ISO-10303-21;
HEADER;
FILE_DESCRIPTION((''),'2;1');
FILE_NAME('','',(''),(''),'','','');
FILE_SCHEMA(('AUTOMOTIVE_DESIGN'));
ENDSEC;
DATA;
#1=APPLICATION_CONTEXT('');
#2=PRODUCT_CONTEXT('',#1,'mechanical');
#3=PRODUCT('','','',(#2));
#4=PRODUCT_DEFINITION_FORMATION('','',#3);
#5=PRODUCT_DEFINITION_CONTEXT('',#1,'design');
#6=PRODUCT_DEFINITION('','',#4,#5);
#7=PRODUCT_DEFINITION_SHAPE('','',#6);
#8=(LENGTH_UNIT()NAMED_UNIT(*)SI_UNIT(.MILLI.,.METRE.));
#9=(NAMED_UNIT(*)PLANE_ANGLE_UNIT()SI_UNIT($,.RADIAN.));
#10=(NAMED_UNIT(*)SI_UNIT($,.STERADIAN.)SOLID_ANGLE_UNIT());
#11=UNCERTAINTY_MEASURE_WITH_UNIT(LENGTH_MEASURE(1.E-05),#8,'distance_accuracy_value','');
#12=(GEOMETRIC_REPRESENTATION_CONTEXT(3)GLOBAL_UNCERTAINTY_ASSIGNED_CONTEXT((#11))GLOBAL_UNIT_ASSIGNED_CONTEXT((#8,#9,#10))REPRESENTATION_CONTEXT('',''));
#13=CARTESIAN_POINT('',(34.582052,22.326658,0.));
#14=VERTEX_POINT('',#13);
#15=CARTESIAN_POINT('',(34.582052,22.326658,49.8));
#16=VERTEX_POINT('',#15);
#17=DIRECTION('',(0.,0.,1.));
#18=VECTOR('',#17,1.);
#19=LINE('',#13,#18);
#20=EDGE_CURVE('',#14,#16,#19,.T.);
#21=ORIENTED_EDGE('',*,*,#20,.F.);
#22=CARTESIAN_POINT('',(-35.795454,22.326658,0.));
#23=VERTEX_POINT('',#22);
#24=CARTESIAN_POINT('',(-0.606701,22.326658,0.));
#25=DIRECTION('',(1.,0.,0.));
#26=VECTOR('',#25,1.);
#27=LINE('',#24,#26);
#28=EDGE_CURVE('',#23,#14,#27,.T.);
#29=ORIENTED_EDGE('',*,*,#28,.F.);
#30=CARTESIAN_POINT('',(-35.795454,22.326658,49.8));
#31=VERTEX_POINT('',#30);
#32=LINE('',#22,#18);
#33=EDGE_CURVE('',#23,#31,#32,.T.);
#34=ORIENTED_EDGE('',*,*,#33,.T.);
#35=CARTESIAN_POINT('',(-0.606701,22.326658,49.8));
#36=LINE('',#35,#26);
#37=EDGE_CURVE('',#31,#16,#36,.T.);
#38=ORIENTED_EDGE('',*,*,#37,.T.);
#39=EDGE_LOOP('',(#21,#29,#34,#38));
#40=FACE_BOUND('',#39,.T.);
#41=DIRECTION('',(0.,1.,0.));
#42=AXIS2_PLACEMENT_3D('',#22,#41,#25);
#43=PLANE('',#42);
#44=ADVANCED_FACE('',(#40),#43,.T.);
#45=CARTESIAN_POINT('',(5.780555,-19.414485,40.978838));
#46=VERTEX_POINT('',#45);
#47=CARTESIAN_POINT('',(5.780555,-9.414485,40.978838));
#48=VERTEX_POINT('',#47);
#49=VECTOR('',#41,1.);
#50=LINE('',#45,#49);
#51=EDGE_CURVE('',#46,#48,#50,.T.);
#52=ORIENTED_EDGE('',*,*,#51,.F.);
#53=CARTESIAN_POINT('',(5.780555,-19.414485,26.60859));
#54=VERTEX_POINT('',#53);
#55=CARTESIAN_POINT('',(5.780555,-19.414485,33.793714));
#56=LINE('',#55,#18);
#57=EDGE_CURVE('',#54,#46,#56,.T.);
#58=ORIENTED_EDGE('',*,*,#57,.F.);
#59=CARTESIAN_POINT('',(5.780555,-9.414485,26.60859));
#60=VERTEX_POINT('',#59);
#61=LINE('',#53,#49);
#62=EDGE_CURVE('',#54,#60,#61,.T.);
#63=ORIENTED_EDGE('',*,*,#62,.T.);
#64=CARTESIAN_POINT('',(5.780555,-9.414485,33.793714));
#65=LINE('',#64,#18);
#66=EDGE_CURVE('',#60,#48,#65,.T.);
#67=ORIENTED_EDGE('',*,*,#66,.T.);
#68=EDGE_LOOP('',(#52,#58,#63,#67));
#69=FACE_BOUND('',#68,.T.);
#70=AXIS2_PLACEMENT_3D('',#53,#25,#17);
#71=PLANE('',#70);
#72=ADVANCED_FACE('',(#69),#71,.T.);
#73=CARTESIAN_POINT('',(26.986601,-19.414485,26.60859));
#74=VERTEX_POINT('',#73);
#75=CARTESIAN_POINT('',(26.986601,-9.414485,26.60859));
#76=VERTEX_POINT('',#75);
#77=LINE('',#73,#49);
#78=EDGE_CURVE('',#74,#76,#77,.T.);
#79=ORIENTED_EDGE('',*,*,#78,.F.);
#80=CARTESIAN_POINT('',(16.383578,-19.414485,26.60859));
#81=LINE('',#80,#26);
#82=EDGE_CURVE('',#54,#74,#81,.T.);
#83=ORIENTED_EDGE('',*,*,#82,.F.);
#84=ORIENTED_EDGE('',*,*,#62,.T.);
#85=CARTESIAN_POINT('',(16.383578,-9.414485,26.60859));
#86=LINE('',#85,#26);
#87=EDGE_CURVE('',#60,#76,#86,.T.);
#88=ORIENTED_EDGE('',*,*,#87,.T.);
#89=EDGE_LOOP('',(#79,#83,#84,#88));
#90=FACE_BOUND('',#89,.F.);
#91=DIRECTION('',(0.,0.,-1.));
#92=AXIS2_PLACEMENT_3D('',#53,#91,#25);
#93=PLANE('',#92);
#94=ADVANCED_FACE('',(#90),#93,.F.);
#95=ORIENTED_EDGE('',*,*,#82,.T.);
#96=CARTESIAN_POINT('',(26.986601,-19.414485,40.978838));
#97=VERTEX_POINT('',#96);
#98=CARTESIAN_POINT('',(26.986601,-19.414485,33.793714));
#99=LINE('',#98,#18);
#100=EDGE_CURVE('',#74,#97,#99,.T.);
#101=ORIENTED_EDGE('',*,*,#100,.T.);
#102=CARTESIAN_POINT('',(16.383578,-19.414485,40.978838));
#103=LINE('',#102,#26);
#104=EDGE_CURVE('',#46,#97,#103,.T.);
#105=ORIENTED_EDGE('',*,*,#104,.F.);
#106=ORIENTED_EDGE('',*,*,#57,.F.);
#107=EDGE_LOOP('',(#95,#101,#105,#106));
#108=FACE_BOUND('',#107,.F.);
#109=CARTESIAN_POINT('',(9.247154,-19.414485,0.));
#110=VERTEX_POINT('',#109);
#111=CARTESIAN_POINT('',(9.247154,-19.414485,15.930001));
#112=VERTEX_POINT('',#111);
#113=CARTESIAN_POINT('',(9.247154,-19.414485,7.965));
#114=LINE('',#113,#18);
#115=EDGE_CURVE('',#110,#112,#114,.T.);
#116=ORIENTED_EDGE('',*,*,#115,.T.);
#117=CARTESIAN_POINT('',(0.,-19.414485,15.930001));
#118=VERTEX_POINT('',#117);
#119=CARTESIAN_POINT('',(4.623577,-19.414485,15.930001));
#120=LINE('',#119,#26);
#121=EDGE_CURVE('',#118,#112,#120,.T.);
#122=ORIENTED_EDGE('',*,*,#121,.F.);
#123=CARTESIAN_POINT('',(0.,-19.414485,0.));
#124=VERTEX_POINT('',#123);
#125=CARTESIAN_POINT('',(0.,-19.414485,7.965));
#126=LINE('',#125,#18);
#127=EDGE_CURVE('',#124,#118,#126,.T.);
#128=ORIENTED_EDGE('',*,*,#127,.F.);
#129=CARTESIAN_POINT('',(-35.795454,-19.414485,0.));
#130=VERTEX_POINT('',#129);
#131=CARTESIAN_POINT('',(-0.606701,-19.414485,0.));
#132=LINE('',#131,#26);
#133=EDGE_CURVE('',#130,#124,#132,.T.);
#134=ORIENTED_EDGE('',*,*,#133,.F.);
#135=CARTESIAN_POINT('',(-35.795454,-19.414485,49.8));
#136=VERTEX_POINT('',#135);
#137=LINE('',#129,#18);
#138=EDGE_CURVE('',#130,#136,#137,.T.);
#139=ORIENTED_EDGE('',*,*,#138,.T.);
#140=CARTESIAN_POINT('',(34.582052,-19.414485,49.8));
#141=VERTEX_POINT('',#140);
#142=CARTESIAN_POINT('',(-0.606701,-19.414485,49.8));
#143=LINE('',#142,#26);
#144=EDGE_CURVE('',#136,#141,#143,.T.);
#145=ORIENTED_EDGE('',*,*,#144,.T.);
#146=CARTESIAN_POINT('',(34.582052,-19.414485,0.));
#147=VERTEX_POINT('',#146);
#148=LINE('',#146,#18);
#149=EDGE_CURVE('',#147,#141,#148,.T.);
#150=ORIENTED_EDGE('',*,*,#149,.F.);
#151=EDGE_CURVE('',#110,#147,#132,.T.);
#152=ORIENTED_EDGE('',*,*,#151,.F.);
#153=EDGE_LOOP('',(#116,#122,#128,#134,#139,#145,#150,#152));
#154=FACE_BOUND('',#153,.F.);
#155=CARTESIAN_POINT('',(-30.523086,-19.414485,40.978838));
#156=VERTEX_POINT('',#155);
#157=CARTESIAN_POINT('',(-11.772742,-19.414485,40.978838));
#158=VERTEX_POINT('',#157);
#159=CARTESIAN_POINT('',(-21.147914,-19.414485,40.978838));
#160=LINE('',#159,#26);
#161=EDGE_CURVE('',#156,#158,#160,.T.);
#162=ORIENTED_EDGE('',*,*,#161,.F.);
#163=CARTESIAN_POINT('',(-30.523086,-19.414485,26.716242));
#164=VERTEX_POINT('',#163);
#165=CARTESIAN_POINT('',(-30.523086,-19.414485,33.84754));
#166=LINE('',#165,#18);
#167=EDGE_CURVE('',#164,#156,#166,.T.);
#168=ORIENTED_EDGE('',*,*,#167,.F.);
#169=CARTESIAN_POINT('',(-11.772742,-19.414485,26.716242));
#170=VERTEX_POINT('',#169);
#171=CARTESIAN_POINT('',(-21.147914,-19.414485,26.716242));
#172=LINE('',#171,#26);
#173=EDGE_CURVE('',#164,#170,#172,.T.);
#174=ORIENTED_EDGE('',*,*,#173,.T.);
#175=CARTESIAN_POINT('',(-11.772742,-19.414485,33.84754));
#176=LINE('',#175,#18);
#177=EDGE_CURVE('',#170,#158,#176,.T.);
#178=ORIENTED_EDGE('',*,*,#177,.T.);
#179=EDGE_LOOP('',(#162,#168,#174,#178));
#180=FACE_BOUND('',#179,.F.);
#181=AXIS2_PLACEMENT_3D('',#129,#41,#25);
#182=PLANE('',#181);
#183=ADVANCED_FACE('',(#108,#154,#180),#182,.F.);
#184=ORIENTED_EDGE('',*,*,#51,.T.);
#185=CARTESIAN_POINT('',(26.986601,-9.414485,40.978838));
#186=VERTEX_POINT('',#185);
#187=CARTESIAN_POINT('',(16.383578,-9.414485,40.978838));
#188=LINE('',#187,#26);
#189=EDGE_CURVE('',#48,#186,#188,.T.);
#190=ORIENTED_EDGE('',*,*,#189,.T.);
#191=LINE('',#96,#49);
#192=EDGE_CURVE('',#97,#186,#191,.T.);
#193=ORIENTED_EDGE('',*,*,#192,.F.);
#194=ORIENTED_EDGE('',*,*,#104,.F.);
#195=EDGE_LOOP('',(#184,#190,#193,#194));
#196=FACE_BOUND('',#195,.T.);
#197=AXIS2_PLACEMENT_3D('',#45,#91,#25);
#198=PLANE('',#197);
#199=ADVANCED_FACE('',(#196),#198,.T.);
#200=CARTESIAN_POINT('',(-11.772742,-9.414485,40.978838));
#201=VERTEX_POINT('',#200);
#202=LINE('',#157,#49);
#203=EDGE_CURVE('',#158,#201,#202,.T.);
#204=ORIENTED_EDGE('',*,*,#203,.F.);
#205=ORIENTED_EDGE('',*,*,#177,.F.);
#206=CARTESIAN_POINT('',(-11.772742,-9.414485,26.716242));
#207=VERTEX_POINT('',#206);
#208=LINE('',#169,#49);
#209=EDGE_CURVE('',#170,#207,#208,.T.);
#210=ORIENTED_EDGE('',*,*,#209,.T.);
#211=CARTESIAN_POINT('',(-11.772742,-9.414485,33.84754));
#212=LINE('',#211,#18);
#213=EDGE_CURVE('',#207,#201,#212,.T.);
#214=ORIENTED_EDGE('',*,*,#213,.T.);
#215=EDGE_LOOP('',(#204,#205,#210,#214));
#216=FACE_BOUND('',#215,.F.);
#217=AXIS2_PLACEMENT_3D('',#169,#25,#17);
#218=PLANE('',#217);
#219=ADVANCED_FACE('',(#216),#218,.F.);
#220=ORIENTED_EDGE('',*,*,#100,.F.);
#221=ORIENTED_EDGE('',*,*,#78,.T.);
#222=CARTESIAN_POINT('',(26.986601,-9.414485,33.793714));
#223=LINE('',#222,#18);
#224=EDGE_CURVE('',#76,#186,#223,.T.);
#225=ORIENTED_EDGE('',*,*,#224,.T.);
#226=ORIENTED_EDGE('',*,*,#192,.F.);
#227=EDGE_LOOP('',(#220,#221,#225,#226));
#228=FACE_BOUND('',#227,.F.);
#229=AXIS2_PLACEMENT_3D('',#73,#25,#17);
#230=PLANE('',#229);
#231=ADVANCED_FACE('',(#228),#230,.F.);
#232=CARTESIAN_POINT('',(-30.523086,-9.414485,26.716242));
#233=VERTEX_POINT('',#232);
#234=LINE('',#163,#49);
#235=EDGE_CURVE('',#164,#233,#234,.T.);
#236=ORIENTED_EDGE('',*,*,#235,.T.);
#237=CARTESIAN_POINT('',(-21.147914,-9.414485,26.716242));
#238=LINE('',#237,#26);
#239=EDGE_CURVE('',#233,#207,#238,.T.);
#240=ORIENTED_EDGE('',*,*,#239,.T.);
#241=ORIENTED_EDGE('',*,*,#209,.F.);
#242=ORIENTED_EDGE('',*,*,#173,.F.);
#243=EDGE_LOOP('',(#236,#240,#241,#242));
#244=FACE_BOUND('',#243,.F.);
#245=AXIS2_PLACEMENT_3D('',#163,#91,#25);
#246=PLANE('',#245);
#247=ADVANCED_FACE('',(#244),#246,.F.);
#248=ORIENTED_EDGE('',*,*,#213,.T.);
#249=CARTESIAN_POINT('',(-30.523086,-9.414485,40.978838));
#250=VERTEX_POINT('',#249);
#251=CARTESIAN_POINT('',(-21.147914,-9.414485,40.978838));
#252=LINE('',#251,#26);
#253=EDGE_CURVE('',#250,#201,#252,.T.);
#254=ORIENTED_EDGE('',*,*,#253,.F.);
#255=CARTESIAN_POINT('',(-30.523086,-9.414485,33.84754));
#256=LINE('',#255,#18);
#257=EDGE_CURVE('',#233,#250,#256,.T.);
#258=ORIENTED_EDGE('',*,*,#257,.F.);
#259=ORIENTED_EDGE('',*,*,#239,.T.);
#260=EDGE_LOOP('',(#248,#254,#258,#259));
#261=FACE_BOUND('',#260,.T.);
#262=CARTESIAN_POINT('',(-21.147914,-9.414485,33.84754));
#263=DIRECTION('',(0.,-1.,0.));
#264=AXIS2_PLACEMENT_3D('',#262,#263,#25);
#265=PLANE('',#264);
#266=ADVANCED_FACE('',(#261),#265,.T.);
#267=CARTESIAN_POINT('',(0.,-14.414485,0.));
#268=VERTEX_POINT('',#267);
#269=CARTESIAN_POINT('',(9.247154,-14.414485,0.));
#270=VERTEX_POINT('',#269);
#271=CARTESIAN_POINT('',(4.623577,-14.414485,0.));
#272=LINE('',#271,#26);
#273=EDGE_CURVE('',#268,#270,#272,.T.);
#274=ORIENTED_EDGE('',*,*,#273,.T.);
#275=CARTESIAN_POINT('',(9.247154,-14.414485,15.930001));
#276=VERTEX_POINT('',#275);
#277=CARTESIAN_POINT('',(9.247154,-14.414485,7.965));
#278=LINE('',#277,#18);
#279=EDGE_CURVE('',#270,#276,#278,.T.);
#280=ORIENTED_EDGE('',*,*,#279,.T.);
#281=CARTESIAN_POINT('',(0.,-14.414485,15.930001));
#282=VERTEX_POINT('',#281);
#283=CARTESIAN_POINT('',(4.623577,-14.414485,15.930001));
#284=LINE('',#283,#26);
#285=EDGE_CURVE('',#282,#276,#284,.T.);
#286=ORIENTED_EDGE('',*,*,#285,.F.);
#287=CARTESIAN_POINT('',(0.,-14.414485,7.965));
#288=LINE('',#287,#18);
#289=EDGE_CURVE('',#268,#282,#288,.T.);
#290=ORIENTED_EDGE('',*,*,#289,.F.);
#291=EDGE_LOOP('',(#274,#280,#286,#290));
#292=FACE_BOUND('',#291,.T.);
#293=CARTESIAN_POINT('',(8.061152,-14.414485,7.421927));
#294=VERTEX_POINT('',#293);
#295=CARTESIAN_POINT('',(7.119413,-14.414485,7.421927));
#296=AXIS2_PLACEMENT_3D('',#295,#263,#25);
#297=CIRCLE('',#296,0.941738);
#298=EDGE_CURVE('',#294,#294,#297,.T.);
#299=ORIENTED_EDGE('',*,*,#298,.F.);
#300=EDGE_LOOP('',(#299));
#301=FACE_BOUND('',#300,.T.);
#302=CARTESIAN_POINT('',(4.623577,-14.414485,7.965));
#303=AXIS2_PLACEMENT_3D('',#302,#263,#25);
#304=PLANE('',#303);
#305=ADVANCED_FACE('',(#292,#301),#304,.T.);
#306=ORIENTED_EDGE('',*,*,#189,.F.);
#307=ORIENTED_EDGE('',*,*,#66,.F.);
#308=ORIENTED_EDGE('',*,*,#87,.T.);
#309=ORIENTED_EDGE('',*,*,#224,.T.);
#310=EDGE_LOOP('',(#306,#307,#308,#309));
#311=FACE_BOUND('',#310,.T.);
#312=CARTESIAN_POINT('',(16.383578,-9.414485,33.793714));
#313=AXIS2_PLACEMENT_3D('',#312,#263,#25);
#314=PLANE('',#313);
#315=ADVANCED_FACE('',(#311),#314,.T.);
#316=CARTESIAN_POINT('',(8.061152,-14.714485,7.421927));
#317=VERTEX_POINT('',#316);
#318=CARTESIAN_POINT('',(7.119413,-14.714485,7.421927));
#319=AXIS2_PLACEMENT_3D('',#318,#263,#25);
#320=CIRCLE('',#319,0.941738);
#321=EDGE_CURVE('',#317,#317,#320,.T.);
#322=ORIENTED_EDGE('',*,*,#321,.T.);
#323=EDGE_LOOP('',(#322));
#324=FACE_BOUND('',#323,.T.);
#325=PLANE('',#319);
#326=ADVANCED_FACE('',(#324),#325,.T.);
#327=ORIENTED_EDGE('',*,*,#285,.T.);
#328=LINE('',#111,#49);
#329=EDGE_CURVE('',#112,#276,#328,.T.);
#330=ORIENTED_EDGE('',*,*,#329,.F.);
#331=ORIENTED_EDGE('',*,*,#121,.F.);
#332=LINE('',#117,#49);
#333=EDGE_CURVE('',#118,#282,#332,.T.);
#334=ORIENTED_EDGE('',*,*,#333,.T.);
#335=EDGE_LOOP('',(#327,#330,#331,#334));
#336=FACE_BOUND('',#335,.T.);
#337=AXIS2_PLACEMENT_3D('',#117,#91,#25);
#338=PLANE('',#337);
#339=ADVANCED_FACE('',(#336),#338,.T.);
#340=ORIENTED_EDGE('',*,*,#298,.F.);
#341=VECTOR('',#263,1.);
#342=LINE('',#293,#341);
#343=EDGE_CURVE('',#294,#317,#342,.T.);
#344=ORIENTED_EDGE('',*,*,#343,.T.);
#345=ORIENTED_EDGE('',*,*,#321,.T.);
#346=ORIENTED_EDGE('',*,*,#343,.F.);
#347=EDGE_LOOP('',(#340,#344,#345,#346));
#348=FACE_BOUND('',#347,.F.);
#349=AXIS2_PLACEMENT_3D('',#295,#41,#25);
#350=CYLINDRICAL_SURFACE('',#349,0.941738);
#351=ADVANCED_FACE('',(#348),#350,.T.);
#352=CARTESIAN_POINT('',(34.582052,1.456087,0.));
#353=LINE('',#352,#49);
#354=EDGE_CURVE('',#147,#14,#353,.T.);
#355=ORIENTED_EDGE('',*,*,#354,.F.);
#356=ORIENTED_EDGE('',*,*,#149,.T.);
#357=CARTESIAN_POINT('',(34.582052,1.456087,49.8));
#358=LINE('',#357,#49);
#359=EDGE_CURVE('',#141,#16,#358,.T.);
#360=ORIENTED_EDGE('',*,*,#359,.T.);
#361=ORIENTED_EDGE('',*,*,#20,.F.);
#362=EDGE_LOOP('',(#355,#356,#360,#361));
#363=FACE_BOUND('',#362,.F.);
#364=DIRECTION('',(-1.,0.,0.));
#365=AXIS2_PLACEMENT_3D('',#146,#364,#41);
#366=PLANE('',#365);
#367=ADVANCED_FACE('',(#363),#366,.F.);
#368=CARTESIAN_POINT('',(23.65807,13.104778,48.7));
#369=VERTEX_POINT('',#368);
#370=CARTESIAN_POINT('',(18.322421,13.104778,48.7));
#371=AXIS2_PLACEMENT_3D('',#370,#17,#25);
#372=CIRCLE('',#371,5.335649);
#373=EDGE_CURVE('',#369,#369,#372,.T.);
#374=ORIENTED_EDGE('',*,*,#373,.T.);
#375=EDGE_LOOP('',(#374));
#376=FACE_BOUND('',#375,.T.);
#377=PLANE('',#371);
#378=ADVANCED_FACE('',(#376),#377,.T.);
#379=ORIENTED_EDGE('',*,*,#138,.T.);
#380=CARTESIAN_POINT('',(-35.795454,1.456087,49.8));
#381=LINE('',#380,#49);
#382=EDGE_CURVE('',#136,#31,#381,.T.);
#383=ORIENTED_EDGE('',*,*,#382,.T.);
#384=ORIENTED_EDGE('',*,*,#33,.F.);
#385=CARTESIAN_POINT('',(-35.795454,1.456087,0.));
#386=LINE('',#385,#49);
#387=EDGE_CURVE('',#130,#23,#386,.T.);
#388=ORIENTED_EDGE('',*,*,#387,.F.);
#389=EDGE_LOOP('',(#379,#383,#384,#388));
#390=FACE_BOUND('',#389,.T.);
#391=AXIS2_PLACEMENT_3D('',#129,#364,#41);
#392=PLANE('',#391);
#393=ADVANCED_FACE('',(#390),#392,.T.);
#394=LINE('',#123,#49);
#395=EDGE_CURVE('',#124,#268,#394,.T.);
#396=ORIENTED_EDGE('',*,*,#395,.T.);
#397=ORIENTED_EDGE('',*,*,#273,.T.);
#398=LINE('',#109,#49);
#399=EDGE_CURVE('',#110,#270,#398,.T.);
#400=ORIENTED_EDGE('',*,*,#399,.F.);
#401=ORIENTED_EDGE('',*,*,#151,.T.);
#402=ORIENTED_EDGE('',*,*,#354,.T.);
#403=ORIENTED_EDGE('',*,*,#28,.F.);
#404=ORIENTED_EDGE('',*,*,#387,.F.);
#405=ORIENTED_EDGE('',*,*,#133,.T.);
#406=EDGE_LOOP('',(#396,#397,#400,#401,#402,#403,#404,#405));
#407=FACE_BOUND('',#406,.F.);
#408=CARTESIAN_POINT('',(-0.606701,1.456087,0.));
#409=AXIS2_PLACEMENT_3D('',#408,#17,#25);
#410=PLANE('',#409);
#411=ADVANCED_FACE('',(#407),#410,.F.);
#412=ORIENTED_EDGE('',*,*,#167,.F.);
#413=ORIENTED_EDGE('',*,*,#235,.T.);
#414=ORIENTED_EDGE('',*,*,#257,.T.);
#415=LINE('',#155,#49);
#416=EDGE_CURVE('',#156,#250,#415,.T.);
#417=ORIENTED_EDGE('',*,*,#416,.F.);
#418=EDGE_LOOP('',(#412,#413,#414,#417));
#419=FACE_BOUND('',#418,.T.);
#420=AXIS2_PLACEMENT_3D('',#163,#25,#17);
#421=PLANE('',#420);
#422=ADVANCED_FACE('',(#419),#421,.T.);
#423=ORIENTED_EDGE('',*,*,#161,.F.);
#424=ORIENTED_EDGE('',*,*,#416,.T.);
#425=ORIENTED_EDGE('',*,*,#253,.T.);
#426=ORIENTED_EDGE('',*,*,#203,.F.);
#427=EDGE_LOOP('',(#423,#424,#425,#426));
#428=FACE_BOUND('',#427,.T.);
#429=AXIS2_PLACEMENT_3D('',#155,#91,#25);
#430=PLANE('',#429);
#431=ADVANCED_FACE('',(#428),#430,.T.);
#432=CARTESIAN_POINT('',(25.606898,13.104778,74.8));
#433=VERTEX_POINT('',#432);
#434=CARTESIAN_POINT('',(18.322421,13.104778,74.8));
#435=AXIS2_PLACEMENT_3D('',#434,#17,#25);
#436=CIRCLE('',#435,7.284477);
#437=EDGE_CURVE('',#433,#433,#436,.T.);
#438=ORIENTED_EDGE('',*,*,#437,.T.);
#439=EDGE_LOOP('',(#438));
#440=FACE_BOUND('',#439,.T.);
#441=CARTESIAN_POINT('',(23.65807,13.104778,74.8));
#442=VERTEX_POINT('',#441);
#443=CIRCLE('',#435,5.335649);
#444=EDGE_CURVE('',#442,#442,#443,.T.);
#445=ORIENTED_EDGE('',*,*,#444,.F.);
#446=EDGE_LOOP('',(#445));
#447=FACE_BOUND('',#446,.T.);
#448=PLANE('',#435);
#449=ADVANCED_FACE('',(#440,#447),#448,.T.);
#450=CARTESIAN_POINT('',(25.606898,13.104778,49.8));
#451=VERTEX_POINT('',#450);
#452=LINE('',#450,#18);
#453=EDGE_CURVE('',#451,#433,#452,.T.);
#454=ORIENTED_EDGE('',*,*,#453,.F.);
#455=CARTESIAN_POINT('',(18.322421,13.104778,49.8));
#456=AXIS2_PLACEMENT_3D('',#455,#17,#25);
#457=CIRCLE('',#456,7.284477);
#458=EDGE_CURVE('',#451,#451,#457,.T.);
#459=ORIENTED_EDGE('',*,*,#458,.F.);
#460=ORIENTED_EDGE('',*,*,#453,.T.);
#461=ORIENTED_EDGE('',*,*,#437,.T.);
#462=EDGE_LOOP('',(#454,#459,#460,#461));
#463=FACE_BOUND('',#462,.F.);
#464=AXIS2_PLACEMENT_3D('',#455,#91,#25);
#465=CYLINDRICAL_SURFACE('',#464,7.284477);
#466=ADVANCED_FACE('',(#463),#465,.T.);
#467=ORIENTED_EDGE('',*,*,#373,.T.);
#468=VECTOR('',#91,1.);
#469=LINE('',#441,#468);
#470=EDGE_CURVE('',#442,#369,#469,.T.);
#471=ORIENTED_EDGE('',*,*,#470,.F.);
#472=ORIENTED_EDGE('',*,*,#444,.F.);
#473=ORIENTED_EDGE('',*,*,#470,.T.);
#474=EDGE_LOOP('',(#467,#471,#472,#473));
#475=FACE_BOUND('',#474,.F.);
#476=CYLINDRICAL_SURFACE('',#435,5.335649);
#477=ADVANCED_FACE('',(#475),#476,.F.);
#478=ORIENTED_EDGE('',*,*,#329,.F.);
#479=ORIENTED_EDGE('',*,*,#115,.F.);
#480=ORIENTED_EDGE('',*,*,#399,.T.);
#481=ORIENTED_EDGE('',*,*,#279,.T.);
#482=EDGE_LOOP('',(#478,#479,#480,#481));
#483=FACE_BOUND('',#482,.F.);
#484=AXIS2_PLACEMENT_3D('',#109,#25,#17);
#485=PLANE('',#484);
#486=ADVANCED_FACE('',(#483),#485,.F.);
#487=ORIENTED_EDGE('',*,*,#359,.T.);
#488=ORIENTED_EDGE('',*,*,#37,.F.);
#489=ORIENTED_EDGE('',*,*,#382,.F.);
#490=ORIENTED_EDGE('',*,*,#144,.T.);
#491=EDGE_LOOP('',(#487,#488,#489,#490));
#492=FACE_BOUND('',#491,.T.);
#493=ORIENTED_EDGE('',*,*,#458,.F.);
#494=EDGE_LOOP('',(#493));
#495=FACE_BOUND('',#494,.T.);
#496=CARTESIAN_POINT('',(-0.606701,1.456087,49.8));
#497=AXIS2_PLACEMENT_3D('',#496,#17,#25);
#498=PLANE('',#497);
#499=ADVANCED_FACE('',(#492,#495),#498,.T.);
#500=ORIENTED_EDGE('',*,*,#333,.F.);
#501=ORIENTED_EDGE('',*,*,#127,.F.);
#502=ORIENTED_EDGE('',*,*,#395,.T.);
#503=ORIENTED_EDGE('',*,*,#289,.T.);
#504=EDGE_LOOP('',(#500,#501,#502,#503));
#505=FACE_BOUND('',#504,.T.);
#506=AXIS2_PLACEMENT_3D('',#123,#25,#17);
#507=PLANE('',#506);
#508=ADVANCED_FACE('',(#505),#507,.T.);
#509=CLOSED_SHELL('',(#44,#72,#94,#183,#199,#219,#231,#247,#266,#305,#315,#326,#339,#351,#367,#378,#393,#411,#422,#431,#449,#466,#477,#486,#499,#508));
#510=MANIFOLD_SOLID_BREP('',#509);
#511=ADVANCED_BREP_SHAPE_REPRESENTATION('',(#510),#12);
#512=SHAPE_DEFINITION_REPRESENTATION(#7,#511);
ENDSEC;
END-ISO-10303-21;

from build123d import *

# Parameters (mm, degrees)
F0_W      = 70.3775063157
F0_H      = 41.7411420494
F1_DEPTH  = 49.8
F2_W      = 9.2471539974
F2_H      = 15.9300006926
F3_DEPTH  = 5
F4_W      = 18.7503434718
F4_H      = 14.2625961453
F4_W_2    = 21.2060459889
F4_H_2    = 14.3702477217
F5_DEPTH  = 10
F6_R      = 7.2844766826
F7_DEPTH  = 25
F8_R      = 5.3356487736
F9_DEPTH  = 26.1
F10_R     = 0.9417381486
F11_DEPTH = 0.3


with BuildPart() as f1:
    # F0 (on Top) → F1 (new body)
    with BuildSketch(Plane.XY):
        with Locations((-0.606700778, 1.4560865238)):
            Rectangle(F0_W, F0_H)
    extrude(amount=F1_DEPTH)

    # F2 (on face) → F3 (cut)
    with BuildSketch(Plane.XZ.offset(19.4144845009)):
        with Locations((4.6235769987, 7.9650003463)):
            Rectangle(F2_W, F2_H)
    extrude(amount=-F3_DEPTH, mode=Mode.SUBTRACT)

    # F4 (on face) → F5 (cut)
    with BuildSketch(Plane.XZ.offset(19.4144845009)):
        with Locations((-21.1479142308, 33.8475396857)):
            Rectangle(F4_W, F4_H)
        with Locations((16.3835778367, 33.7937138975)):
            Rectangle(F4_W_2, F4_H_2)
    extrude(amount=-F5_DEPTH, mode=Mode.SUBTRACT)

    # F6 (on face) → F7 (join)
    with BuildSketch(Plane.XY.offset(49.8)):
        with Locations((18.3224212378, 13.1047777832)):
            Circle(F6_R)
    extrude(amount=F7_DEPTH)

    # F8 (on face) → F9 (cut)
    with BuildSketch(Plane.XY.offset(74.8)):
        with Locations((18.3224212378, 13.1047777832)):
            Circle(F8_R)
    extrude(amount=-F9_DEPTH, mode=Mode.SUBTRACT)

    # F10 (on face) → F11 (join)
    with BuildSketch(Plane.XZ.offset(14.4144845009)):
        with Locations((7.1194134653, 7.4219265953)):
            Circle(F10_R)
    extrude(amount=F11_DEPTH)


solid = f1.part
